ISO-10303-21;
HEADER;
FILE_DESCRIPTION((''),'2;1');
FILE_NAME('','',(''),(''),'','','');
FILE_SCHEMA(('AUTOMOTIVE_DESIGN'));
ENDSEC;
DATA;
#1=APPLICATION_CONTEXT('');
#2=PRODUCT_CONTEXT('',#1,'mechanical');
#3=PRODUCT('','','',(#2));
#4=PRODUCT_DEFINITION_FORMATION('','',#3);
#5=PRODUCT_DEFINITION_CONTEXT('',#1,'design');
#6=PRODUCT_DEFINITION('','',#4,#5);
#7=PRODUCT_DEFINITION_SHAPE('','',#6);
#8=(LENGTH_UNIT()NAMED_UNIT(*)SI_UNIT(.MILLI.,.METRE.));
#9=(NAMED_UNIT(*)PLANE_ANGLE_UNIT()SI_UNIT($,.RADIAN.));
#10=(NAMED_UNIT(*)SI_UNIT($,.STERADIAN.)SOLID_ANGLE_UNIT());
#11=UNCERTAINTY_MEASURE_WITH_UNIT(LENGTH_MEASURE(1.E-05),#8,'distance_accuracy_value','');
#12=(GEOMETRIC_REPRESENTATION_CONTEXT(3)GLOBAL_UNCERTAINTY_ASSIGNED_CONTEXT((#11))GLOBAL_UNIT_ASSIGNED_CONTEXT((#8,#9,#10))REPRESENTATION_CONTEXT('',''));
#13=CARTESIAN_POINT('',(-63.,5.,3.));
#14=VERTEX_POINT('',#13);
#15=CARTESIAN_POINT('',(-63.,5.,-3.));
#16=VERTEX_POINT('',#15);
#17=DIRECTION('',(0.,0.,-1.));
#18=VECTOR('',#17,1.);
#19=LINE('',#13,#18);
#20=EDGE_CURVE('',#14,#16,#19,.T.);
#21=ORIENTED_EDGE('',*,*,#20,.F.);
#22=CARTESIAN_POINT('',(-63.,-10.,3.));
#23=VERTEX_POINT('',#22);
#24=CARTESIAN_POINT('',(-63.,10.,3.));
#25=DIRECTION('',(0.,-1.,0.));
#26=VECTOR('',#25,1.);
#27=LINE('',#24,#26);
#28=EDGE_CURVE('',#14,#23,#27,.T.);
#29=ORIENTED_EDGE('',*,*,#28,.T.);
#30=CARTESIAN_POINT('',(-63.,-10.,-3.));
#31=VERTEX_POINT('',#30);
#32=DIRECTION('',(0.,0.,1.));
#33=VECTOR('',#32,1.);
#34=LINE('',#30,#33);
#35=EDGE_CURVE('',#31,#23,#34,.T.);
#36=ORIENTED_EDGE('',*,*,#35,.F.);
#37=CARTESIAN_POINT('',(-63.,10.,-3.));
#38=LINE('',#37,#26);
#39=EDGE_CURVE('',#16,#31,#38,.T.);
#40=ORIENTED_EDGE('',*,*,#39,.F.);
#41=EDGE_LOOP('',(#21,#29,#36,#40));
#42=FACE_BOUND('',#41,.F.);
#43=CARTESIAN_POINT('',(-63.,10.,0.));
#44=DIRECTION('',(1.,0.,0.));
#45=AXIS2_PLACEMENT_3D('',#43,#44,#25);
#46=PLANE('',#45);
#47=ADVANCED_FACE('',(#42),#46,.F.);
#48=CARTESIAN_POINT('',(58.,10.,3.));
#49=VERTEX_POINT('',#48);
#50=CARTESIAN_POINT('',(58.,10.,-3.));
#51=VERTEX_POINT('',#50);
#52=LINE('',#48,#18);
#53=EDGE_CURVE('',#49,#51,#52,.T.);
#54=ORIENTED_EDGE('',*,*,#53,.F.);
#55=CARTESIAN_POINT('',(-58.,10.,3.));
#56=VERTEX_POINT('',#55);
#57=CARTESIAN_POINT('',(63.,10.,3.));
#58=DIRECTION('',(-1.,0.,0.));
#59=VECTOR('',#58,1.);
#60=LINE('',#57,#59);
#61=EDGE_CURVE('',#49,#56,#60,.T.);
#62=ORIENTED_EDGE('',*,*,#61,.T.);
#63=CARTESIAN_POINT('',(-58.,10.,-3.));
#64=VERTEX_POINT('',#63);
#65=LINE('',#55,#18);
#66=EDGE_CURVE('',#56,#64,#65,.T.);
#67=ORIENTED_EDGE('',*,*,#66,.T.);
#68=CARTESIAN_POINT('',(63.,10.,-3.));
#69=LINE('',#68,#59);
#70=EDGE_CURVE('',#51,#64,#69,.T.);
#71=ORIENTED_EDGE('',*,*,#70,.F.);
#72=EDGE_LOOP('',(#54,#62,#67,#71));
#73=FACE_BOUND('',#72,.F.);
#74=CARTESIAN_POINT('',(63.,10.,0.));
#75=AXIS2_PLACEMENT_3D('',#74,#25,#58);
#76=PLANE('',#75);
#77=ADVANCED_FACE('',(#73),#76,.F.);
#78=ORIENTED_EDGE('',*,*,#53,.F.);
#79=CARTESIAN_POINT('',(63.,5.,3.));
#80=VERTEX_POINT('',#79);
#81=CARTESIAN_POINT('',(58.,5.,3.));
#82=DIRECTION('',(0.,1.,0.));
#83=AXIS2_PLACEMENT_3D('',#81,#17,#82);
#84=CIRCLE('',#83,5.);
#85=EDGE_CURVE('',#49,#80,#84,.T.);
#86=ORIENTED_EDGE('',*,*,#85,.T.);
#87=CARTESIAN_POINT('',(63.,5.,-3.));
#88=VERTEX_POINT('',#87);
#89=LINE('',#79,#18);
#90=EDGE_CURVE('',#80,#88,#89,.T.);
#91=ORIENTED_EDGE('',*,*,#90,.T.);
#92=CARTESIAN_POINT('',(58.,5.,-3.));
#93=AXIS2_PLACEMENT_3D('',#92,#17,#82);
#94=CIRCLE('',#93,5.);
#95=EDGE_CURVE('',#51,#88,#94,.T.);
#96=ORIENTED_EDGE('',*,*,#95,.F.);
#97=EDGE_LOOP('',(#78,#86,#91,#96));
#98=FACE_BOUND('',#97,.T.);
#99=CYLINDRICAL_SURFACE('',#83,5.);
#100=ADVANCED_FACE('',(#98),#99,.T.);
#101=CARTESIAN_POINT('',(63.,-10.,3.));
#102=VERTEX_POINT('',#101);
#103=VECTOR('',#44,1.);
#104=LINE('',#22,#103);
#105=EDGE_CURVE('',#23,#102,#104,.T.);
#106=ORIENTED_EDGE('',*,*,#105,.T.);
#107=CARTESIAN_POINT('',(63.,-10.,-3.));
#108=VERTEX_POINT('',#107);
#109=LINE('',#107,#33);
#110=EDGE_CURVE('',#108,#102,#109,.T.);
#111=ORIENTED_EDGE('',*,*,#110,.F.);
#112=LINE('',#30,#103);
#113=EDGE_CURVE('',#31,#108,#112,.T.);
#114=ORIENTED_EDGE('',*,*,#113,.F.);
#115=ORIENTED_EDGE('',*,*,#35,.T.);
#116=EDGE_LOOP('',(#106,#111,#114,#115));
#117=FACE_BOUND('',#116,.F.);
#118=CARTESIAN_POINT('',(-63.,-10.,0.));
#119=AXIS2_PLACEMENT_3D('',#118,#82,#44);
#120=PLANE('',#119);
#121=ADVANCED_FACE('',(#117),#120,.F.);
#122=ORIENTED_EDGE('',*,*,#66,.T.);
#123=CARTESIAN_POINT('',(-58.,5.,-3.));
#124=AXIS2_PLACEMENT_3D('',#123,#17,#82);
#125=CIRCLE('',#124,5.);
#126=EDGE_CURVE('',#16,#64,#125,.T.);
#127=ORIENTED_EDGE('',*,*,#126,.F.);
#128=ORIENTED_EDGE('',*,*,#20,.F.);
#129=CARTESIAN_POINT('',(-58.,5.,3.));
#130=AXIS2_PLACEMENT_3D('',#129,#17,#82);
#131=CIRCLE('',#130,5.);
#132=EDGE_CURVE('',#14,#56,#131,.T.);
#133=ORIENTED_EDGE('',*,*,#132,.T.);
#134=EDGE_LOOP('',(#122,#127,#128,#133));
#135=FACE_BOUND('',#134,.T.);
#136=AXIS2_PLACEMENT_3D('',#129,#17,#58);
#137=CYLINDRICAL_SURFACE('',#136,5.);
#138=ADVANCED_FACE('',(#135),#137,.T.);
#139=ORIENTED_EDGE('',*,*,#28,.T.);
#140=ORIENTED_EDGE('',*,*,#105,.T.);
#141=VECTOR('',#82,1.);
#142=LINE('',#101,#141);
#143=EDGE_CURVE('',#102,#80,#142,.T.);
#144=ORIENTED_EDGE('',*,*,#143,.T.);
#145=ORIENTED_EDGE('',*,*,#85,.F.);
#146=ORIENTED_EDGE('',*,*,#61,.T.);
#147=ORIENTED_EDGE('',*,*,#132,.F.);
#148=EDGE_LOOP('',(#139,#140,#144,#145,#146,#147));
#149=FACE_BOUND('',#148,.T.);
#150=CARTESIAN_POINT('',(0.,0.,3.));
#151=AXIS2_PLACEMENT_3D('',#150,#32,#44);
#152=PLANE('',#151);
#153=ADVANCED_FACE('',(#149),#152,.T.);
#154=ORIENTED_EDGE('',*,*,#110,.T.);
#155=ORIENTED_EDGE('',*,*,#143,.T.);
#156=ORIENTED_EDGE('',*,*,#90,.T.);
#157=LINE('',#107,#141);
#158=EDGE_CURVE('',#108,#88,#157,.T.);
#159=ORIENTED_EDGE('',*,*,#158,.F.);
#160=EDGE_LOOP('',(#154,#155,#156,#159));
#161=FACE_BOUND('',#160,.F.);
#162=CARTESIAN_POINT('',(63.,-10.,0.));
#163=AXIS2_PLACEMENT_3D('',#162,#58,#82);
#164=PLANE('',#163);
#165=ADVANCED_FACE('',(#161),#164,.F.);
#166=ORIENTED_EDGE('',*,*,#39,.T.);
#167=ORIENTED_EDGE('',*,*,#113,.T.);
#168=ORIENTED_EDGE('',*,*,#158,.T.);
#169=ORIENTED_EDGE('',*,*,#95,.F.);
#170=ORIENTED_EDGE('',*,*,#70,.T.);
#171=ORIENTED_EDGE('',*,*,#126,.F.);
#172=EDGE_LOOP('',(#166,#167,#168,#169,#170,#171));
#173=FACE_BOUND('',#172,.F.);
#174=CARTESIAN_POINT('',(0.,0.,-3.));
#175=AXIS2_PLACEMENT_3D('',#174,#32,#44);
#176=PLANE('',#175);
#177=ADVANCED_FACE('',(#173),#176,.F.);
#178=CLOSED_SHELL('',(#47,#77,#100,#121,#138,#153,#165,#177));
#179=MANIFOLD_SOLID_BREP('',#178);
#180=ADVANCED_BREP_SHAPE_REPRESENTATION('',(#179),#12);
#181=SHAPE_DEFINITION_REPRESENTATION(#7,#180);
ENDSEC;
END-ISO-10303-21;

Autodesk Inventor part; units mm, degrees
ref_plane "YZ Plane" through (0, 0, 0) normal (1, 0, 0) x (0, 1, 0)
ref_plane "XZ Plane" through (0, 0, 0) normal (0, 1, 0) x (-1, 0, 0)
ref_plane "XY Plane" through (0, 0, 0) normal (0, 0, 1) x (1, 0, 0)
sketch "草圖1" plane through (0, 0, 0) normal (0, 0, 1) x (1, 0, 0)
  line L0 (0, 0) -> (-46.9602, 0) construction
  line L1 (0, 0) -> (0, 45.4619) construction
  line L2 (-63, -10) -> (63, -10)
  line L3 (63, -10) -> (63, 10)
  line L4 (63, 10) -> (-63, 10)
  line L5 (-63, 10) -> (-63, -10)
  line L6 (-63, -10) -> (63, 10) construction
  line L7 (63, -10) -> (-63, 10) construction
  dimension "d0" = 20
  dimension "d1" = 126
extrude "擠出1" add sketch "草圖1" along normal mid plane 6
fillet "圓角1" radius 5 2 edges at (-63, 10, 0) (63, 10, 0)
properties part number "0 零件" material "橡膠"
